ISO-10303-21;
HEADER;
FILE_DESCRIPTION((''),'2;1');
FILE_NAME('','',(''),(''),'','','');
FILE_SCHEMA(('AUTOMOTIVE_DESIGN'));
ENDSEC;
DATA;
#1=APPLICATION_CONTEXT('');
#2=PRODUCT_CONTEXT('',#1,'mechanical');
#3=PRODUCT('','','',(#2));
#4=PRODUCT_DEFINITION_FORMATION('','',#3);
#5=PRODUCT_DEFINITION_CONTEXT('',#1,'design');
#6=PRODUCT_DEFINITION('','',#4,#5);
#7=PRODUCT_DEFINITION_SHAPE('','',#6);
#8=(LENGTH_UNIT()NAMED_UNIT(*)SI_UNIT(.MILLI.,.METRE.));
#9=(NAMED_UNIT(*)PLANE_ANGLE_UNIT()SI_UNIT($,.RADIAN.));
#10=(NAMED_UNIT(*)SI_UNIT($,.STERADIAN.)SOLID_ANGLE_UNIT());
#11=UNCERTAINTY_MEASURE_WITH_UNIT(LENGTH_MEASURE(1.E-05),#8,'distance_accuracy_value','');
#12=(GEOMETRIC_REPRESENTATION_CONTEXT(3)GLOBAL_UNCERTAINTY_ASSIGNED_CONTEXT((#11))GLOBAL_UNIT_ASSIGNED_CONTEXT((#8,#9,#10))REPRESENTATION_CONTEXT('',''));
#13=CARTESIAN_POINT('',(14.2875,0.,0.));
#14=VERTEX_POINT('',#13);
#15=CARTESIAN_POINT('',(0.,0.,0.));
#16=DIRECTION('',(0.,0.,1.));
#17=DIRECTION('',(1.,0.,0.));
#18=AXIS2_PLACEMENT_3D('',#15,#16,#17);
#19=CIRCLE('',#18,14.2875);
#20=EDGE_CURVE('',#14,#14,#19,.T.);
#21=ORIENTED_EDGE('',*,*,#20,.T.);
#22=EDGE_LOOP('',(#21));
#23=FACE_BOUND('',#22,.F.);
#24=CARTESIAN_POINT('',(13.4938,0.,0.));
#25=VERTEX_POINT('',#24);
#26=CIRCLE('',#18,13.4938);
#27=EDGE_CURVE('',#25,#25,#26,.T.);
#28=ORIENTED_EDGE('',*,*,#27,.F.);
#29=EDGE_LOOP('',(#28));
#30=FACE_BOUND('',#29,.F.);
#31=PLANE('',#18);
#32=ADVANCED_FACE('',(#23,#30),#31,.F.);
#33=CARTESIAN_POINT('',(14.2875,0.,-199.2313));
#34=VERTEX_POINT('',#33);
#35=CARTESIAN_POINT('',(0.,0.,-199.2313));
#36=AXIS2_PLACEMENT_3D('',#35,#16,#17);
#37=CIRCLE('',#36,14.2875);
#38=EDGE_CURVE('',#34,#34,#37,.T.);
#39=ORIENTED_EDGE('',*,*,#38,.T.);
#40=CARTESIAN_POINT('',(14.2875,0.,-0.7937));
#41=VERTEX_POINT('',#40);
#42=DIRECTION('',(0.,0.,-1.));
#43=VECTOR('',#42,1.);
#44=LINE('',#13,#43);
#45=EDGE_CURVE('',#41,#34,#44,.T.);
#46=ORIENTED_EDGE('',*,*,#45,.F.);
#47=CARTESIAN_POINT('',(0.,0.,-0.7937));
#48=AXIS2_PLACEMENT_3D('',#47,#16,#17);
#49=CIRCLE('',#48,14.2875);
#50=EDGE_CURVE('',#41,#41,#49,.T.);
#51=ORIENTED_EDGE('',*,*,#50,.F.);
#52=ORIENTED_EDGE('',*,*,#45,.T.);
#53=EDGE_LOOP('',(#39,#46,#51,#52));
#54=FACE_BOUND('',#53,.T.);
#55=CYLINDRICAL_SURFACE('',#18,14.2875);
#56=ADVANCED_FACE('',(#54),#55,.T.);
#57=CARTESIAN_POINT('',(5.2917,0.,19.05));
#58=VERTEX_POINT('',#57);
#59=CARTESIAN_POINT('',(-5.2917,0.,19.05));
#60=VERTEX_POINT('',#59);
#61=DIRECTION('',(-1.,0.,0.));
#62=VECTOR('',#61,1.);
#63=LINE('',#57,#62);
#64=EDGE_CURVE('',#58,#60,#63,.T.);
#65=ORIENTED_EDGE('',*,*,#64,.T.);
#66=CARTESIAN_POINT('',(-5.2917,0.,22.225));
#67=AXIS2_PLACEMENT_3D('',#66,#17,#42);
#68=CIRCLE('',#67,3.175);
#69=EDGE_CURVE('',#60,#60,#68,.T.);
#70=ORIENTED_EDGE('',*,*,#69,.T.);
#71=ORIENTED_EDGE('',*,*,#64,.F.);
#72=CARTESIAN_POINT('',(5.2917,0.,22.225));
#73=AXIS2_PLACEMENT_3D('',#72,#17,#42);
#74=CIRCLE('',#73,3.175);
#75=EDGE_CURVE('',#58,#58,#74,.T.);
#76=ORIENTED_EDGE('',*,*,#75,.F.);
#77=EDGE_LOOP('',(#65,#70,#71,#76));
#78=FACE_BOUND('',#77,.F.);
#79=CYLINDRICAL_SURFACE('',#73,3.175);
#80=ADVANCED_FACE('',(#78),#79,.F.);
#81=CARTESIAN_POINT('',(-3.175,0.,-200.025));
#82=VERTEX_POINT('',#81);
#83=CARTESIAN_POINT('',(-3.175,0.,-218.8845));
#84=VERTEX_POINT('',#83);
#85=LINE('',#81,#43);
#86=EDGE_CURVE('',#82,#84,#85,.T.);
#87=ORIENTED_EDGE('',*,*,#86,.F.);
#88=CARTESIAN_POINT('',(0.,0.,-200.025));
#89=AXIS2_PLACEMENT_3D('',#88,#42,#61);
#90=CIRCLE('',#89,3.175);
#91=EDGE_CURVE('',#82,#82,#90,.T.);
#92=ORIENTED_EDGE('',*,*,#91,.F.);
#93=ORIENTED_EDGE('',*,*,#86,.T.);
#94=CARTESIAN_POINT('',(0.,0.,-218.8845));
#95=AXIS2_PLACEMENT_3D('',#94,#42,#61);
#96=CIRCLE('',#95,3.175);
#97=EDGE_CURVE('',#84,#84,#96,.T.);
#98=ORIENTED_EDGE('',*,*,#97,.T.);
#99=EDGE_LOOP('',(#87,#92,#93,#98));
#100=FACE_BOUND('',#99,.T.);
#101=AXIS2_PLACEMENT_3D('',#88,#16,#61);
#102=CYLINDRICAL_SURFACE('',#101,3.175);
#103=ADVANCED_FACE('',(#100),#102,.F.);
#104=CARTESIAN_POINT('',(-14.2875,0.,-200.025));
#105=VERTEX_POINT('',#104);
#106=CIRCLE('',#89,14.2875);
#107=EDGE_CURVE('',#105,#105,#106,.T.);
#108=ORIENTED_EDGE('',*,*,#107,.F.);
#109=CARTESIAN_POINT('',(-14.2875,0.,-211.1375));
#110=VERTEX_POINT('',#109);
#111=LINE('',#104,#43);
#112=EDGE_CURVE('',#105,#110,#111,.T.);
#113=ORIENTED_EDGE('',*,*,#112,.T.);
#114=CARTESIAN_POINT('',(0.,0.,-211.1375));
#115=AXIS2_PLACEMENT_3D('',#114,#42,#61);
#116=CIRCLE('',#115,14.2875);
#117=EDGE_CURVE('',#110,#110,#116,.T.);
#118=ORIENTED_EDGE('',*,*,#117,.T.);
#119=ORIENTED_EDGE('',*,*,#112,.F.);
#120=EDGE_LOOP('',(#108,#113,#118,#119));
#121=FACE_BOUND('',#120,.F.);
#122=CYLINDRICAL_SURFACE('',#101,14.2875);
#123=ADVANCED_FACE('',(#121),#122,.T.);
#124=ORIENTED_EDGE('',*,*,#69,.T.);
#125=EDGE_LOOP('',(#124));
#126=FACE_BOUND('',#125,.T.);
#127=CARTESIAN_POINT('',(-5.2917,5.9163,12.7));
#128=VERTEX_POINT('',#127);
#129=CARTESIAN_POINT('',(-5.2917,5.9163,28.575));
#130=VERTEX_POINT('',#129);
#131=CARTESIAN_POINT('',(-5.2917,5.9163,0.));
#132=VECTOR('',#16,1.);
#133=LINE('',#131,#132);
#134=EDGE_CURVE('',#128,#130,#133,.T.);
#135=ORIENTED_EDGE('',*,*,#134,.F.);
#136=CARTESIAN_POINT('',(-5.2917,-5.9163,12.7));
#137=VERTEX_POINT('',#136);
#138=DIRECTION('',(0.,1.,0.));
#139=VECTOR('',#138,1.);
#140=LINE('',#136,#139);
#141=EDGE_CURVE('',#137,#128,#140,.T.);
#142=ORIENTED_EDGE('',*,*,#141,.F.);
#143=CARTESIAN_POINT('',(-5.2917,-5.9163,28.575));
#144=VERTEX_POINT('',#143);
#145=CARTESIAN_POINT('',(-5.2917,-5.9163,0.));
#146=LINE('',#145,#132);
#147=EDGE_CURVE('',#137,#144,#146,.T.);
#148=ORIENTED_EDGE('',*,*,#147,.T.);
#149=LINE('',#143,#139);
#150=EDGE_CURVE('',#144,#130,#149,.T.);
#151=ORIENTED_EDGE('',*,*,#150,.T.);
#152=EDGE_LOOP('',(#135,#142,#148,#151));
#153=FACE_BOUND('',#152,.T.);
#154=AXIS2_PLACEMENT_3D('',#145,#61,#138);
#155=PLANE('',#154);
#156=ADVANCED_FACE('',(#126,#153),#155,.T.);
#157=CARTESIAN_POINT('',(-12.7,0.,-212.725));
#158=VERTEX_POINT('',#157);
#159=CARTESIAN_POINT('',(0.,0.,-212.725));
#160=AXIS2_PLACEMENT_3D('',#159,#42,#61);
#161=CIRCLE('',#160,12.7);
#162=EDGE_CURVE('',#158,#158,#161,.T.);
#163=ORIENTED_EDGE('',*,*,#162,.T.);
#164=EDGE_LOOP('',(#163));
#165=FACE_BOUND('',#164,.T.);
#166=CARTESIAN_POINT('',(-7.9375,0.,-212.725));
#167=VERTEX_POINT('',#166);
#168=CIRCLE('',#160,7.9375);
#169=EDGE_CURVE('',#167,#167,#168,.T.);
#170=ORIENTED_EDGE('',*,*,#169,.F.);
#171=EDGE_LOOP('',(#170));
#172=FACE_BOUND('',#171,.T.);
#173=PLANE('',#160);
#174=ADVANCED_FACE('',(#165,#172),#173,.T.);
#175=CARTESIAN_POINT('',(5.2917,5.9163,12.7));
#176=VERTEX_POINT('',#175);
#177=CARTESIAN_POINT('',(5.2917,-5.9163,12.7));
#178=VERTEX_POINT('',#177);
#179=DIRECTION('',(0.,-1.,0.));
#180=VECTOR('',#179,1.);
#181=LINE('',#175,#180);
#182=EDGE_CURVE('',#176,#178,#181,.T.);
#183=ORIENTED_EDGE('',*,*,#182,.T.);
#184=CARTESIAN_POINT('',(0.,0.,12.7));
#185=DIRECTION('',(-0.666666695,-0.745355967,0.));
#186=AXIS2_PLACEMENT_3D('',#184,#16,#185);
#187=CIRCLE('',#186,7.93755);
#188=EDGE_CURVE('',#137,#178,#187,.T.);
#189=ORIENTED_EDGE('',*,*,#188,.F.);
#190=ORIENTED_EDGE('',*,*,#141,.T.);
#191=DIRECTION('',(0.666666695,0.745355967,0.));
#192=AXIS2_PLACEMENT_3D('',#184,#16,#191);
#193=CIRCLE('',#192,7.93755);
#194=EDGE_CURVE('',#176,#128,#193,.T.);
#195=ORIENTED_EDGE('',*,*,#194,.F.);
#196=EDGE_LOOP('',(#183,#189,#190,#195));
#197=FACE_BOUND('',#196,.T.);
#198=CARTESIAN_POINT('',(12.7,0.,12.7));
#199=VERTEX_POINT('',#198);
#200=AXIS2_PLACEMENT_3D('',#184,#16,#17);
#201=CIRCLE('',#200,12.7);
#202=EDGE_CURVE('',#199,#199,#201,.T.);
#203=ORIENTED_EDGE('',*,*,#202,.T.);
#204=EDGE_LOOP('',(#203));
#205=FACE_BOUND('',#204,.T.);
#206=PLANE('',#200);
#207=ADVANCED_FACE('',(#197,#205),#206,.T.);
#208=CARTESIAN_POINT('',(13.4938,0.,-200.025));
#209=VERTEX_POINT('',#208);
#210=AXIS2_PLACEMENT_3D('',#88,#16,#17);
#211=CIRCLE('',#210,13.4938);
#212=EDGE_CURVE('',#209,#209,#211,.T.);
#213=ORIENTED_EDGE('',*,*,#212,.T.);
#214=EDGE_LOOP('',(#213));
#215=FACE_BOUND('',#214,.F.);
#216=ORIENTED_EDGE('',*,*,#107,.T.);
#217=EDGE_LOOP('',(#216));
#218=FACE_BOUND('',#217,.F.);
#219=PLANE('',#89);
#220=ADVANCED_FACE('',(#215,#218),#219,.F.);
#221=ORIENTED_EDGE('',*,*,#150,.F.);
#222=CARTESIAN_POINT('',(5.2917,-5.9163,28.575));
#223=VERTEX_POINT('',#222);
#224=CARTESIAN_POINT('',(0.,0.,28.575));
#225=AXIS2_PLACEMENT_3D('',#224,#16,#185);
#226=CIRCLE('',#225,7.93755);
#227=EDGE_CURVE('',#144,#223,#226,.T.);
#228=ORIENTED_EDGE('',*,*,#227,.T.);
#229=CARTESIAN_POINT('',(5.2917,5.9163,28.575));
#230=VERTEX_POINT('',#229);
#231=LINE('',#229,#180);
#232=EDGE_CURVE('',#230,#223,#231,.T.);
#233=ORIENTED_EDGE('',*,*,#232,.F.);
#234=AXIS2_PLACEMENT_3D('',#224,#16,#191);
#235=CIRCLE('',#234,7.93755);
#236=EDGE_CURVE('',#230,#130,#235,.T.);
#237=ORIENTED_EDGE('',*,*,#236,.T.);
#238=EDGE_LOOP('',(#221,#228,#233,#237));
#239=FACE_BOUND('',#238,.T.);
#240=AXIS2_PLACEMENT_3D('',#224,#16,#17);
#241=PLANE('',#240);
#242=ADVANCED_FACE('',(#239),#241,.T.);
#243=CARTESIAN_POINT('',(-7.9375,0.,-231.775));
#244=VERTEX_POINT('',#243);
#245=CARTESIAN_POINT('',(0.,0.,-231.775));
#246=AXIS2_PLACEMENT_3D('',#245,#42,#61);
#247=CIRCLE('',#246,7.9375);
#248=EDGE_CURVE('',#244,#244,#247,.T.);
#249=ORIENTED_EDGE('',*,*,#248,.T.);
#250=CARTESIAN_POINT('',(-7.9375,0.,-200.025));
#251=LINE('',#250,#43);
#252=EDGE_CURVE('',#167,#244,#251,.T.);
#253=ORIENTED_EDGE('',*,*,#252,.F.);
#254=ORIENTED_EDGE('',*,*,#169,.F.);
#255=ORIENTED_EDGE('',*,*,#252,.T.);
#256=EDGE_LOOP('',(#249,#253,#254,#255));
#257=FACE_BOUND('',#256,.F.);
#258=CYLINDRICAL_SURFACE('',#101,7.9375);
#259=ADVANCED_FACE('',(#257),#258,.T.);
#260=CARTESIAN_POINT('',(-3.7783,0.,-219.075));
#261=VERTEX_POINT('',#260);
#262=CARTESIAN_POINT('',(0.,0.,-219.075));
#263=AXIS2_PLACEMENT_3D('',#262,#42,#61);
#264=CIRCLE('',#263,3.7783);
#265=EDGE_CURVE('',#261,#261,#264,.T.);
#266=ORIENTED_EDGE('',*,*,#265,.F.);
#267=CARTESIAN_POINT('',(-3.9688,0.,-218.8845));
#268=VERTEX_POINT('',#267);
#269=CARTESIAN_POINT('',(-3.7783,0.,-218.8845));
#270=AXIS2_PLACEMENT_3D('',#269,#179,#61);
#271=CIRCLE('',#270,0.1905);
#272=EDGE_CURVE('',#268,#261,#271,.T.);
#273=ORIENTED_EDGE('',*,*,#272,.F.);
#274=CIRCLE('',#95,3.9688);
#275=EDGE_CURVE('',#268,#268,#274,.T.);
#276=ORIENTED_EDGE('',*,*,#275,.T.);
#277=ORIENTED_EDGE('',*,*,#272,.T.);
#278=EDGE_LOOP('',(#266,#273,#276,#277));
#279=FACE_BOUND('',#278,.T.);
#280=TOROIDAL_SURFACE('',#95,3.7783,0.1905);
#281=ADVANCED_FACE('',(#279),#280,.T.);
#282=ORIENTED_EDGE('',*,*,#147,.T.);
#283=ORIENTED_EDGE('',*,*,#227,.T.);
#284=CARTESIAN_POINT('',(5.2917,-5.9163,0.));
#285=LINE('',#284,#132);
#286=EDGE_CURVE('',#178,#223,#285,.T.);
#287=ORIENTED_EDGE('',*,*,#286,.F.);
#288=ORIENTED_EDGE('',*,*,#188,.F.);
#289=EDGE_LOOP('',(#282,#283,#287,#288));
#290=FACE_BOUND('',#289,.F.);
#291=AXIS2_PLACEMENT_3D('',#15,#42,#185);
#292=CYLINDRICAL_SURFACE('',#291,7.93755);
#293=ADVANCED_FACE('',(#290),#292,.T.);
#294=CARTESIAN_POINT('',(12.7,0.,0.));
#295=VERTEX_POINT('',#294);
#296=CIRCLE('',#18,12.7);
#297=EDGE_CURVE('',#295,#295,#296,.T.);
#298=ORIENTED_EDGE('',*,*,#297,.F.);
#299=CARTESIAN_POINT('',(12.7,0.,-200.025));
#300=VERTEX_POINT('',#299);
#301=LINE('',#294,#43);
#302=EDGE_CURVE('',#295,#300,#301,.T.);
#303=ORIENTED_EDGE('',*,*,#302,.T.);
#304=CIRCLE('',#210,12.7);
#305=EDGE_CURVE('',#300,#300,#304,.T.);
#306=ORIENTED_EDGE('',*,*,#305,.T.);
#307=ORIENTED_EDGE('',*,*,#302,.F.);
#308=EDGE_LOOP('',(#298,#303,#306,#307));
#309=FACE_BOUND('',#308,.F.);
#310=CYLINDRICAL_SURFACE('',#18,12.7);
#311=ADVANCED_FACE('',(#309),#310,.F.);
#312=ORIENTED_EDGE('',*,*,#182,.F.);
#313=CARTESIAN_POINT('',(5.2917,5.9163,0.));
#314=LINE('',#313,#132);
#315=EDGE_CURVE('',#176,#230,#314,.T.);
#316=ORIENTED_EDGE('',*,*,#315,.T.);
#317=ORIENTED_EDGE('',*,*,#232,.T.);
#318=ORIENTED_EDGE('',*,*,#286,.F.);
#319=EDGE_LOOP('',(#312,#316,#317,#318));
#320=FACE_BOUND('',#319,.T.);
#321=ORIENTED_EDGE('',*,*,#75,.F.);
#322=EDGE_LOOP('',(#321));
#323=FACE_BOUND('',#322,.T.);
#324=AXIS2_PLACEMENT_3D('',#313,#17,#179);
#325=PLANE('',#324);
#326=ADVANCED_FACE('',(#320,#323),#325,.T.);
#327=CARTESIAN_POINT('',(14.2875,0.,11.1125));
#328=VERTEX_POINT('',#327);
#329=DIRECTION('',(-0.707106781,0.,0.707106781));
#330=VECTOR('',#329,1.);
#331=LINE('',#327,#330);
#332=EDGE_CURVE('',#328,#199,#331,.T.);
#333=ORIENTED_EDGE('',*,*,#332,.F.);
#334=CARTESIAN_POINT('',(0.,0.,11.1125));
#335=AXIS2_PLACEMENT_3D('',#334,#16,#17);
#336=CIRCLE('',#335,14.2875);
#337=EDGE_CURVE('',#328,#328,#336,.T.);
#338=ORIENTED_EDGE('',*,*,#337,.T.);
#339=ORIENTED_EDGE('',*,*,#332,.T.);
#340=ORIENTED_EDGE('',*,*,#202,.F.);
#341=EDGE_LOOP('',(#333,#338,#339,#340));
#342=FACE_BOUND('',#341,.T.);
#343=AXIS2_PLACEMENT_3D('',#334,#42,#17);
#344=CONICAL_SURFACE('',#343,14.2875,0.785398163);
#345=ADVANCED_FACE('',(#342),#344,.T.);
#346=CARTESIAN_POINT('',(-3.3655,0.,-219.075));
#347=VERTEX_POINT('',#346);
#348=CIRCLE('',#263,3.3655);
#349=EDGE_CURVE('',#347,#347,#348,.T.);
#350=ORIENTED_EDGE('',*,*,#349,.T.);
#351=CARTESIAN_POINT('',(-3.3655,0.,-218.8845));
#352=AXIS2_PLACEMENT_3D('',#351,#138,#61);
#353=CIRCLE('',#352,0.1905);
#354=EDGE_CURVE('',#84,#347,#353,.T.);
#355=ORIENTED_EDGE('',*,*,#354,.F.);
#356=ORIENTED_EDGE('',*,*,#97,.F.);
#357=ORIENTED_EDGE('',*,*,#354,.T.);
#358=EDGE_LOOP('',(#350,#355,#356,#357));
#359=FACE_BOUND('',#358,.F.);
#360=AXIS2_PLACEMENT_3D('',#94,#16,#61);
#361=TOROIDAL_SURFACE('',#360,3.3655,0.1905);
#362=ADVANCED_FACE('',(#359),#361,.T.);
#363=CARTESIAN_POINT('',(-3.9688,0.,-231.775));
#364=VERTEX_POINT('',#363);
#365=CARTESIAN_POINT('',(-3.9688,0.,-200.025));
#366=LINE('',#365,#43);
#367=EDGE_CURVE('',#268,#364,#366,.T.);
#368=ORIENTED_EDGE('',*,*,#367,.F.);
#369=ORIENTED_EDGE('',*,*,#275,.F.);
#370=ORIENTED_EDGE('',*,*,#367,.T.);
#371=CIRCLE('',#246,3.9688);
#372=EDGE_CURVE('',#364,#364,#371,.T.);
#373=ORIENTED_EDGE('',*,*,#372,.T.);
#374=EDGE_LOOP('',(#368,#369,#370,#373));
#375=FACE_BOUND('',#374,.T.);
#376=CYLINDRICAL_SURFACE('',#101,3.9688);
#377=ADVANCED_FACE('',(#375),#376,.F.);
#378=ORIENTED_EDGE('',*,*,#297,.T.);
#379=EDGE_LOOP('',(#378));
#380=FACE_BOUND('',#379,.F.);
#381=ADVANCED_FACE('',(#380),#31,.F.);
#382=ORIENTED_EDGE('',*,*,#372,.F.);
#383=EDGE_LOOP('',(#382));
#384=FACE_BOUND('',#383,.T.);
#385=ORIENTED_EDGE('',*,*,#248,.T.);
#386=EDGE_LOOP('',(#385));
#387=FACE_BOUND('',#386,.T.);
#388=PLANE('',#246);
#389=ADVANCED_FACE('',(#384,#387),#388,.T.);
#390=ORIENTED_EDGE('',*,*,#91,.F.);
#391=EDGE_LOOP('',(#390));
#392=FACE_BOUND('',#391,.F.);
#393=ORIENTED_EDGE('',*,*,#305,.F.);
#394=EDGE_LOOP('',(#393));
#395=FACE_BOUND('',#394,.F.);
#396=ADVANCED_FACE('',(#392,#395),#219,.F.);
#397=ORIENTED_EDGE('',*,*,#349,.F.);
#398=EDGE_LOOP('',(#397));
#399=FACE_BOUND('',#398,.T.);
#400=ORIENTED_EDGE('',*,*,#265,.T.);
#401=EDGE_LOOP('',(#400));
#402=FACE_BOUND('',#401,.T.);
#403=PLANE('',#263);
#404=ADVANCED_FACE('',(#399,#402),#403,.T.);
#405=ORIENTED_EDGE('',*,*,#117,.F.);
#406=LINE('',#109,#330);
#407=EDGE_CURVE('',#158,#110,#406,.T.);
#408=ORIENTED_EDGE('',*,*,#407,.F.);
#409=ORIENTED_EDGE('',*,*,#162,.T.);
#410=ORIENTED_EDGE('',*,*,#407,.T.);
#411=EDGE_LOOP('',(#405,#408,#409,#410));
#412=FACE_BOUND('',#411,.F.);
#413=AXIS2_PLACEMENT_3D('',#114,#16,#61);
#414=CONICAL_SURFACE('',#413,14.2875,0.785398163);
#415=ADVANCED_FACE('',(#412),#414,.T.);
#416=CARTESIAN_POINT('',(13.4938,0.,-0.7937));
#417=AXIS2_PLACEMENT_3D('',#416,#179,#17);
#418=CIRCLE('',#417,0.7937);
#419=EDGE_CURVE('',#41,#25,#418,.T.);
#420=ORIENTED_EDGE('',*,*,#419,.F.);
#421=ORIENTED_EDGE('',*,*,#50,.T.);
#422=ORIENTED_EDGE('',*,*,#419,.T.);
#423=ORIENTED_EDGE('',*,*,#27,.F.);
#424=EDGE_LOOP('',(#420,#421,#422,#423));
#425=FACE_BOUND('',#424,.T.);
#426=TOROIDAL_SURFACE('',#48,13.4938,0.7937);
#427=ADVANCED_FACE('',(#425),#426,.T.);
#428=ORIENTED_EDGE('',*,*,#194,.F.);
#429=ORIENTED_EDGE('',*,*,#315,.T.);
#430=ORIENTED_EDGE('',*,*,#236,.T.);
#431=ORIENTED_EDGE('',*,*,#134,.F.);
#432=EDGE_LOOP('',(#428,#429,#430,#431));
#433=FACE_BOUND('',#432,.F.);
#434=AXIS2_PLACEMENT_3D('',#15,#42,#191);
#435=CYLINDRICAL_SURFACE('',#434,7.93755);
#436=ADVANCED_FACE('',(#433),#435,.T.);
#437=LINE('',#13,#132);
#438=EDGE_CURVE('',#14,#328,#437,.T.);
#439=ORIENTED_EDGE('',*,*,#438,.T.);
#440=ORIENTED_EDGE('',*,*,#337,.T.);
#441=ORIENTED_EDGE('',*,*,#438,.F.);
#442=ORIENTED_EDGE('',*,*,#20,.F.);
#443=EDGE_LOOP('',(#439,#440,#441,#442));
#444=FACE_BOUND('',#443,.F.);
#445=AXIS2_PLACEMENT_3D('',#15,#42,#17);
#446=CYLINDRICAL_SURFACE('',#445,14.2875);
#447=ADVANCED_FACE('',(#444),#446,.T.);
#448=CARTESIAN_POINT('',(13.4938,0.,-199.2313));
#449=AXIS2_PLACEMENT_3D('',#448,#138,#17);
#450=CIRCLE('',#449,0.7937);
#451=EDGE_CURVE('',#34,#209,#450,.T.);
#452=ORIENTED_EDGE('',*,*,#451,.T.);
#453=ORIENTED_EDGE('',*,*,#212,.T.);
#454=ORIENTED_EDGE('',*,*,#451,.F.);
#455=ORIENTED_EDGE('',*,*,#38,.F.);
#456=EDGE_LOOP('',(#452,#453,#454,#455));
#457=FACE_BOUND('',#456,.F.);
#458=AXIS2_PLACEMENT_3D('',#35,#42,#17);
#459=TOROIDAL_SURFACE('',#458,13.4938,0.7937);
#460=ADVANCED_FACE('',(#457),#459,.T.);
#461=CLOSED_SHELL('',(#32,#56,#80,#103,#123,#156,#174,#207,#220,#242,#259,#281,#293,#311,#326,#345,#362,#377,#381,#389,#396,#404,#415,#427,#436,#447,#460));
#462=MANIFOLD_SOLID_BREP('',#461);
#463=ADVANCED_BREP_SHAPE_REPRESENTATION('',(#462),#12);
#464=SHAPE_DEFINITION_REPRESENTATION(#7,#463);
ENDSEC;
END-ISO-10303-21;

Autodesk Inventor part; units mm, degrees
ref_plane "YZ Plane" through (0, 0, 0) normal (1, 0, 0) x (0, 1, 0)
ref_plane "XZ Plane" through (0, 0, 0) normal (0, 1, 0) x (-1, 0, 0)
ref_plane "XY Plane" through (0, 0, 0) normal (0, 0, 1) x (1, 0, 0)
sketch "Sketch1" plane through (0, 0, 0) normal (0, 0, 1) x (1, 0, 0)
  circle A0 centre (0, 0) radius 12.7
  circle A1 centre (0, 0) radius 14.2875
  line L0 (-5.2917, 5.9163) -> (5.2917, 5.9163)
  line L1 (5.2917, 5.9163) -> (5.2917, -5.9163)
  line L2 (5.2917, -5.9163) -> (-5.2917, -5.9163)
  line L3 (-5.2917, -5.9163) -> (-5.2917, 5.9163)
  arc A2 (5.2917, 5.9163) -> (-5.2917, 5.9163) centre (0, 0) ccw
  arc A3 (-5.2917, -5.9163) -> (5.2917, -5.9163) centre (0, 0) ccw
  dimension "d2" = 25.4
  dimension "d3" = 28.575
  dimension "d4" = 10.5833
  dimension "d5" = 5.2917
  dimension "d6" = 11.8325
  dimension "d7" = 5.9163
  dimension "d8" = 7.9375
extrude "Extrusion1" add sketch "Sketch1" against normal blind 200.025 contours A1
fillet "Fillet1" radius 0.7937 2 edges at (-14.2875, 0, 0) (-14.2875, 0, -200.025)
extrude "Extrusion2" add sketch "Sketch1" along normal blind 12.7 contours A0 | A1
extrude "Extrusion3" add sketch "Sketch1" along normal blind 28.575 contours A2 L0 | L0 L1 L2 L3 | L2 A3
chamfer "Chamfer1" distance 1.5875 angle 45 1 edges at (-14.2875, 0, 12.7)
thread "Thread1" size "3/4-10 UNC" class "2A" standard "ANSI Unified Screw Threads" full length
thread "Thread2" size "3/4-10 UNC" class "2A" standard "ANSI Unified Screw Threads" full length
sketch "Sketch2" plane through (0, 0, -200.025) normal (0, 0, -1) x (-1, 0, 0)
  circle A0 centre (0, 0) radius 14.2875 projected
  circle A1 centre (0, 0) radius 7.9375
  circle A2 centre (0, 0) radius 3.175
  circle A3 centre (0, 0) radius 3.9688
  dimension "d24" = 15.875
  dimension "d25" = 7.9375
  dimension "d26" = 6.35
extrude "Extrusion4" add sketch "Sketch2" along normal blind 12.7 contours A0
extrude "Extrusion5" add sketch "Sketch2" along normal blind 19.05 contours A3
fillet "Fillet2" radius 0.1905 2 edges at (3.9688, 0, -219.075) (3.175, 0, -219.075)
extrude "Extrusion6" add sketch "Sketch2" along normal blind 31.75 contours A1
chamfer "Chamfer2" distance 1.5875 angle 45 1 edges at (14.2875, 0, -212.725)
thread "Thread3" size "3/4-10 UNC" class "2A" standard "ANSI Unified Screw Threads" full length
sketch "Sketch3" plane through (5.2917, -5.9163, 12.7) normal (1, 0, 0) x (0, 0, -1)
  line L0 (0, 11.8325) -> (-15.875, 11.8325) projected
  line L1 (-15.875, 11.8325) -> (-15.875, 0) projected
  line L2 (0, 0) -> (-15.875, 0) projected
  circle A0 centre (-9.525, 5.9163) radius 3.175
  point P0 (12.7, 5.9163)
  dimension "d39" = 6.35
  dimension "d40" = 5.9163
  dimension "d41" = 11.8325
  dimension "d42" = 6.35
extrude "Extrusion7" cut sketch "Sketch3" against normal blind 25.4
equation "\"d5\" = 0.5 * d4"
equation "\"d7\" = 0.5 * d6"
equation "\"d40\" = 0.5 * d41"
properties part number "6''  by 1'' dia piston"
